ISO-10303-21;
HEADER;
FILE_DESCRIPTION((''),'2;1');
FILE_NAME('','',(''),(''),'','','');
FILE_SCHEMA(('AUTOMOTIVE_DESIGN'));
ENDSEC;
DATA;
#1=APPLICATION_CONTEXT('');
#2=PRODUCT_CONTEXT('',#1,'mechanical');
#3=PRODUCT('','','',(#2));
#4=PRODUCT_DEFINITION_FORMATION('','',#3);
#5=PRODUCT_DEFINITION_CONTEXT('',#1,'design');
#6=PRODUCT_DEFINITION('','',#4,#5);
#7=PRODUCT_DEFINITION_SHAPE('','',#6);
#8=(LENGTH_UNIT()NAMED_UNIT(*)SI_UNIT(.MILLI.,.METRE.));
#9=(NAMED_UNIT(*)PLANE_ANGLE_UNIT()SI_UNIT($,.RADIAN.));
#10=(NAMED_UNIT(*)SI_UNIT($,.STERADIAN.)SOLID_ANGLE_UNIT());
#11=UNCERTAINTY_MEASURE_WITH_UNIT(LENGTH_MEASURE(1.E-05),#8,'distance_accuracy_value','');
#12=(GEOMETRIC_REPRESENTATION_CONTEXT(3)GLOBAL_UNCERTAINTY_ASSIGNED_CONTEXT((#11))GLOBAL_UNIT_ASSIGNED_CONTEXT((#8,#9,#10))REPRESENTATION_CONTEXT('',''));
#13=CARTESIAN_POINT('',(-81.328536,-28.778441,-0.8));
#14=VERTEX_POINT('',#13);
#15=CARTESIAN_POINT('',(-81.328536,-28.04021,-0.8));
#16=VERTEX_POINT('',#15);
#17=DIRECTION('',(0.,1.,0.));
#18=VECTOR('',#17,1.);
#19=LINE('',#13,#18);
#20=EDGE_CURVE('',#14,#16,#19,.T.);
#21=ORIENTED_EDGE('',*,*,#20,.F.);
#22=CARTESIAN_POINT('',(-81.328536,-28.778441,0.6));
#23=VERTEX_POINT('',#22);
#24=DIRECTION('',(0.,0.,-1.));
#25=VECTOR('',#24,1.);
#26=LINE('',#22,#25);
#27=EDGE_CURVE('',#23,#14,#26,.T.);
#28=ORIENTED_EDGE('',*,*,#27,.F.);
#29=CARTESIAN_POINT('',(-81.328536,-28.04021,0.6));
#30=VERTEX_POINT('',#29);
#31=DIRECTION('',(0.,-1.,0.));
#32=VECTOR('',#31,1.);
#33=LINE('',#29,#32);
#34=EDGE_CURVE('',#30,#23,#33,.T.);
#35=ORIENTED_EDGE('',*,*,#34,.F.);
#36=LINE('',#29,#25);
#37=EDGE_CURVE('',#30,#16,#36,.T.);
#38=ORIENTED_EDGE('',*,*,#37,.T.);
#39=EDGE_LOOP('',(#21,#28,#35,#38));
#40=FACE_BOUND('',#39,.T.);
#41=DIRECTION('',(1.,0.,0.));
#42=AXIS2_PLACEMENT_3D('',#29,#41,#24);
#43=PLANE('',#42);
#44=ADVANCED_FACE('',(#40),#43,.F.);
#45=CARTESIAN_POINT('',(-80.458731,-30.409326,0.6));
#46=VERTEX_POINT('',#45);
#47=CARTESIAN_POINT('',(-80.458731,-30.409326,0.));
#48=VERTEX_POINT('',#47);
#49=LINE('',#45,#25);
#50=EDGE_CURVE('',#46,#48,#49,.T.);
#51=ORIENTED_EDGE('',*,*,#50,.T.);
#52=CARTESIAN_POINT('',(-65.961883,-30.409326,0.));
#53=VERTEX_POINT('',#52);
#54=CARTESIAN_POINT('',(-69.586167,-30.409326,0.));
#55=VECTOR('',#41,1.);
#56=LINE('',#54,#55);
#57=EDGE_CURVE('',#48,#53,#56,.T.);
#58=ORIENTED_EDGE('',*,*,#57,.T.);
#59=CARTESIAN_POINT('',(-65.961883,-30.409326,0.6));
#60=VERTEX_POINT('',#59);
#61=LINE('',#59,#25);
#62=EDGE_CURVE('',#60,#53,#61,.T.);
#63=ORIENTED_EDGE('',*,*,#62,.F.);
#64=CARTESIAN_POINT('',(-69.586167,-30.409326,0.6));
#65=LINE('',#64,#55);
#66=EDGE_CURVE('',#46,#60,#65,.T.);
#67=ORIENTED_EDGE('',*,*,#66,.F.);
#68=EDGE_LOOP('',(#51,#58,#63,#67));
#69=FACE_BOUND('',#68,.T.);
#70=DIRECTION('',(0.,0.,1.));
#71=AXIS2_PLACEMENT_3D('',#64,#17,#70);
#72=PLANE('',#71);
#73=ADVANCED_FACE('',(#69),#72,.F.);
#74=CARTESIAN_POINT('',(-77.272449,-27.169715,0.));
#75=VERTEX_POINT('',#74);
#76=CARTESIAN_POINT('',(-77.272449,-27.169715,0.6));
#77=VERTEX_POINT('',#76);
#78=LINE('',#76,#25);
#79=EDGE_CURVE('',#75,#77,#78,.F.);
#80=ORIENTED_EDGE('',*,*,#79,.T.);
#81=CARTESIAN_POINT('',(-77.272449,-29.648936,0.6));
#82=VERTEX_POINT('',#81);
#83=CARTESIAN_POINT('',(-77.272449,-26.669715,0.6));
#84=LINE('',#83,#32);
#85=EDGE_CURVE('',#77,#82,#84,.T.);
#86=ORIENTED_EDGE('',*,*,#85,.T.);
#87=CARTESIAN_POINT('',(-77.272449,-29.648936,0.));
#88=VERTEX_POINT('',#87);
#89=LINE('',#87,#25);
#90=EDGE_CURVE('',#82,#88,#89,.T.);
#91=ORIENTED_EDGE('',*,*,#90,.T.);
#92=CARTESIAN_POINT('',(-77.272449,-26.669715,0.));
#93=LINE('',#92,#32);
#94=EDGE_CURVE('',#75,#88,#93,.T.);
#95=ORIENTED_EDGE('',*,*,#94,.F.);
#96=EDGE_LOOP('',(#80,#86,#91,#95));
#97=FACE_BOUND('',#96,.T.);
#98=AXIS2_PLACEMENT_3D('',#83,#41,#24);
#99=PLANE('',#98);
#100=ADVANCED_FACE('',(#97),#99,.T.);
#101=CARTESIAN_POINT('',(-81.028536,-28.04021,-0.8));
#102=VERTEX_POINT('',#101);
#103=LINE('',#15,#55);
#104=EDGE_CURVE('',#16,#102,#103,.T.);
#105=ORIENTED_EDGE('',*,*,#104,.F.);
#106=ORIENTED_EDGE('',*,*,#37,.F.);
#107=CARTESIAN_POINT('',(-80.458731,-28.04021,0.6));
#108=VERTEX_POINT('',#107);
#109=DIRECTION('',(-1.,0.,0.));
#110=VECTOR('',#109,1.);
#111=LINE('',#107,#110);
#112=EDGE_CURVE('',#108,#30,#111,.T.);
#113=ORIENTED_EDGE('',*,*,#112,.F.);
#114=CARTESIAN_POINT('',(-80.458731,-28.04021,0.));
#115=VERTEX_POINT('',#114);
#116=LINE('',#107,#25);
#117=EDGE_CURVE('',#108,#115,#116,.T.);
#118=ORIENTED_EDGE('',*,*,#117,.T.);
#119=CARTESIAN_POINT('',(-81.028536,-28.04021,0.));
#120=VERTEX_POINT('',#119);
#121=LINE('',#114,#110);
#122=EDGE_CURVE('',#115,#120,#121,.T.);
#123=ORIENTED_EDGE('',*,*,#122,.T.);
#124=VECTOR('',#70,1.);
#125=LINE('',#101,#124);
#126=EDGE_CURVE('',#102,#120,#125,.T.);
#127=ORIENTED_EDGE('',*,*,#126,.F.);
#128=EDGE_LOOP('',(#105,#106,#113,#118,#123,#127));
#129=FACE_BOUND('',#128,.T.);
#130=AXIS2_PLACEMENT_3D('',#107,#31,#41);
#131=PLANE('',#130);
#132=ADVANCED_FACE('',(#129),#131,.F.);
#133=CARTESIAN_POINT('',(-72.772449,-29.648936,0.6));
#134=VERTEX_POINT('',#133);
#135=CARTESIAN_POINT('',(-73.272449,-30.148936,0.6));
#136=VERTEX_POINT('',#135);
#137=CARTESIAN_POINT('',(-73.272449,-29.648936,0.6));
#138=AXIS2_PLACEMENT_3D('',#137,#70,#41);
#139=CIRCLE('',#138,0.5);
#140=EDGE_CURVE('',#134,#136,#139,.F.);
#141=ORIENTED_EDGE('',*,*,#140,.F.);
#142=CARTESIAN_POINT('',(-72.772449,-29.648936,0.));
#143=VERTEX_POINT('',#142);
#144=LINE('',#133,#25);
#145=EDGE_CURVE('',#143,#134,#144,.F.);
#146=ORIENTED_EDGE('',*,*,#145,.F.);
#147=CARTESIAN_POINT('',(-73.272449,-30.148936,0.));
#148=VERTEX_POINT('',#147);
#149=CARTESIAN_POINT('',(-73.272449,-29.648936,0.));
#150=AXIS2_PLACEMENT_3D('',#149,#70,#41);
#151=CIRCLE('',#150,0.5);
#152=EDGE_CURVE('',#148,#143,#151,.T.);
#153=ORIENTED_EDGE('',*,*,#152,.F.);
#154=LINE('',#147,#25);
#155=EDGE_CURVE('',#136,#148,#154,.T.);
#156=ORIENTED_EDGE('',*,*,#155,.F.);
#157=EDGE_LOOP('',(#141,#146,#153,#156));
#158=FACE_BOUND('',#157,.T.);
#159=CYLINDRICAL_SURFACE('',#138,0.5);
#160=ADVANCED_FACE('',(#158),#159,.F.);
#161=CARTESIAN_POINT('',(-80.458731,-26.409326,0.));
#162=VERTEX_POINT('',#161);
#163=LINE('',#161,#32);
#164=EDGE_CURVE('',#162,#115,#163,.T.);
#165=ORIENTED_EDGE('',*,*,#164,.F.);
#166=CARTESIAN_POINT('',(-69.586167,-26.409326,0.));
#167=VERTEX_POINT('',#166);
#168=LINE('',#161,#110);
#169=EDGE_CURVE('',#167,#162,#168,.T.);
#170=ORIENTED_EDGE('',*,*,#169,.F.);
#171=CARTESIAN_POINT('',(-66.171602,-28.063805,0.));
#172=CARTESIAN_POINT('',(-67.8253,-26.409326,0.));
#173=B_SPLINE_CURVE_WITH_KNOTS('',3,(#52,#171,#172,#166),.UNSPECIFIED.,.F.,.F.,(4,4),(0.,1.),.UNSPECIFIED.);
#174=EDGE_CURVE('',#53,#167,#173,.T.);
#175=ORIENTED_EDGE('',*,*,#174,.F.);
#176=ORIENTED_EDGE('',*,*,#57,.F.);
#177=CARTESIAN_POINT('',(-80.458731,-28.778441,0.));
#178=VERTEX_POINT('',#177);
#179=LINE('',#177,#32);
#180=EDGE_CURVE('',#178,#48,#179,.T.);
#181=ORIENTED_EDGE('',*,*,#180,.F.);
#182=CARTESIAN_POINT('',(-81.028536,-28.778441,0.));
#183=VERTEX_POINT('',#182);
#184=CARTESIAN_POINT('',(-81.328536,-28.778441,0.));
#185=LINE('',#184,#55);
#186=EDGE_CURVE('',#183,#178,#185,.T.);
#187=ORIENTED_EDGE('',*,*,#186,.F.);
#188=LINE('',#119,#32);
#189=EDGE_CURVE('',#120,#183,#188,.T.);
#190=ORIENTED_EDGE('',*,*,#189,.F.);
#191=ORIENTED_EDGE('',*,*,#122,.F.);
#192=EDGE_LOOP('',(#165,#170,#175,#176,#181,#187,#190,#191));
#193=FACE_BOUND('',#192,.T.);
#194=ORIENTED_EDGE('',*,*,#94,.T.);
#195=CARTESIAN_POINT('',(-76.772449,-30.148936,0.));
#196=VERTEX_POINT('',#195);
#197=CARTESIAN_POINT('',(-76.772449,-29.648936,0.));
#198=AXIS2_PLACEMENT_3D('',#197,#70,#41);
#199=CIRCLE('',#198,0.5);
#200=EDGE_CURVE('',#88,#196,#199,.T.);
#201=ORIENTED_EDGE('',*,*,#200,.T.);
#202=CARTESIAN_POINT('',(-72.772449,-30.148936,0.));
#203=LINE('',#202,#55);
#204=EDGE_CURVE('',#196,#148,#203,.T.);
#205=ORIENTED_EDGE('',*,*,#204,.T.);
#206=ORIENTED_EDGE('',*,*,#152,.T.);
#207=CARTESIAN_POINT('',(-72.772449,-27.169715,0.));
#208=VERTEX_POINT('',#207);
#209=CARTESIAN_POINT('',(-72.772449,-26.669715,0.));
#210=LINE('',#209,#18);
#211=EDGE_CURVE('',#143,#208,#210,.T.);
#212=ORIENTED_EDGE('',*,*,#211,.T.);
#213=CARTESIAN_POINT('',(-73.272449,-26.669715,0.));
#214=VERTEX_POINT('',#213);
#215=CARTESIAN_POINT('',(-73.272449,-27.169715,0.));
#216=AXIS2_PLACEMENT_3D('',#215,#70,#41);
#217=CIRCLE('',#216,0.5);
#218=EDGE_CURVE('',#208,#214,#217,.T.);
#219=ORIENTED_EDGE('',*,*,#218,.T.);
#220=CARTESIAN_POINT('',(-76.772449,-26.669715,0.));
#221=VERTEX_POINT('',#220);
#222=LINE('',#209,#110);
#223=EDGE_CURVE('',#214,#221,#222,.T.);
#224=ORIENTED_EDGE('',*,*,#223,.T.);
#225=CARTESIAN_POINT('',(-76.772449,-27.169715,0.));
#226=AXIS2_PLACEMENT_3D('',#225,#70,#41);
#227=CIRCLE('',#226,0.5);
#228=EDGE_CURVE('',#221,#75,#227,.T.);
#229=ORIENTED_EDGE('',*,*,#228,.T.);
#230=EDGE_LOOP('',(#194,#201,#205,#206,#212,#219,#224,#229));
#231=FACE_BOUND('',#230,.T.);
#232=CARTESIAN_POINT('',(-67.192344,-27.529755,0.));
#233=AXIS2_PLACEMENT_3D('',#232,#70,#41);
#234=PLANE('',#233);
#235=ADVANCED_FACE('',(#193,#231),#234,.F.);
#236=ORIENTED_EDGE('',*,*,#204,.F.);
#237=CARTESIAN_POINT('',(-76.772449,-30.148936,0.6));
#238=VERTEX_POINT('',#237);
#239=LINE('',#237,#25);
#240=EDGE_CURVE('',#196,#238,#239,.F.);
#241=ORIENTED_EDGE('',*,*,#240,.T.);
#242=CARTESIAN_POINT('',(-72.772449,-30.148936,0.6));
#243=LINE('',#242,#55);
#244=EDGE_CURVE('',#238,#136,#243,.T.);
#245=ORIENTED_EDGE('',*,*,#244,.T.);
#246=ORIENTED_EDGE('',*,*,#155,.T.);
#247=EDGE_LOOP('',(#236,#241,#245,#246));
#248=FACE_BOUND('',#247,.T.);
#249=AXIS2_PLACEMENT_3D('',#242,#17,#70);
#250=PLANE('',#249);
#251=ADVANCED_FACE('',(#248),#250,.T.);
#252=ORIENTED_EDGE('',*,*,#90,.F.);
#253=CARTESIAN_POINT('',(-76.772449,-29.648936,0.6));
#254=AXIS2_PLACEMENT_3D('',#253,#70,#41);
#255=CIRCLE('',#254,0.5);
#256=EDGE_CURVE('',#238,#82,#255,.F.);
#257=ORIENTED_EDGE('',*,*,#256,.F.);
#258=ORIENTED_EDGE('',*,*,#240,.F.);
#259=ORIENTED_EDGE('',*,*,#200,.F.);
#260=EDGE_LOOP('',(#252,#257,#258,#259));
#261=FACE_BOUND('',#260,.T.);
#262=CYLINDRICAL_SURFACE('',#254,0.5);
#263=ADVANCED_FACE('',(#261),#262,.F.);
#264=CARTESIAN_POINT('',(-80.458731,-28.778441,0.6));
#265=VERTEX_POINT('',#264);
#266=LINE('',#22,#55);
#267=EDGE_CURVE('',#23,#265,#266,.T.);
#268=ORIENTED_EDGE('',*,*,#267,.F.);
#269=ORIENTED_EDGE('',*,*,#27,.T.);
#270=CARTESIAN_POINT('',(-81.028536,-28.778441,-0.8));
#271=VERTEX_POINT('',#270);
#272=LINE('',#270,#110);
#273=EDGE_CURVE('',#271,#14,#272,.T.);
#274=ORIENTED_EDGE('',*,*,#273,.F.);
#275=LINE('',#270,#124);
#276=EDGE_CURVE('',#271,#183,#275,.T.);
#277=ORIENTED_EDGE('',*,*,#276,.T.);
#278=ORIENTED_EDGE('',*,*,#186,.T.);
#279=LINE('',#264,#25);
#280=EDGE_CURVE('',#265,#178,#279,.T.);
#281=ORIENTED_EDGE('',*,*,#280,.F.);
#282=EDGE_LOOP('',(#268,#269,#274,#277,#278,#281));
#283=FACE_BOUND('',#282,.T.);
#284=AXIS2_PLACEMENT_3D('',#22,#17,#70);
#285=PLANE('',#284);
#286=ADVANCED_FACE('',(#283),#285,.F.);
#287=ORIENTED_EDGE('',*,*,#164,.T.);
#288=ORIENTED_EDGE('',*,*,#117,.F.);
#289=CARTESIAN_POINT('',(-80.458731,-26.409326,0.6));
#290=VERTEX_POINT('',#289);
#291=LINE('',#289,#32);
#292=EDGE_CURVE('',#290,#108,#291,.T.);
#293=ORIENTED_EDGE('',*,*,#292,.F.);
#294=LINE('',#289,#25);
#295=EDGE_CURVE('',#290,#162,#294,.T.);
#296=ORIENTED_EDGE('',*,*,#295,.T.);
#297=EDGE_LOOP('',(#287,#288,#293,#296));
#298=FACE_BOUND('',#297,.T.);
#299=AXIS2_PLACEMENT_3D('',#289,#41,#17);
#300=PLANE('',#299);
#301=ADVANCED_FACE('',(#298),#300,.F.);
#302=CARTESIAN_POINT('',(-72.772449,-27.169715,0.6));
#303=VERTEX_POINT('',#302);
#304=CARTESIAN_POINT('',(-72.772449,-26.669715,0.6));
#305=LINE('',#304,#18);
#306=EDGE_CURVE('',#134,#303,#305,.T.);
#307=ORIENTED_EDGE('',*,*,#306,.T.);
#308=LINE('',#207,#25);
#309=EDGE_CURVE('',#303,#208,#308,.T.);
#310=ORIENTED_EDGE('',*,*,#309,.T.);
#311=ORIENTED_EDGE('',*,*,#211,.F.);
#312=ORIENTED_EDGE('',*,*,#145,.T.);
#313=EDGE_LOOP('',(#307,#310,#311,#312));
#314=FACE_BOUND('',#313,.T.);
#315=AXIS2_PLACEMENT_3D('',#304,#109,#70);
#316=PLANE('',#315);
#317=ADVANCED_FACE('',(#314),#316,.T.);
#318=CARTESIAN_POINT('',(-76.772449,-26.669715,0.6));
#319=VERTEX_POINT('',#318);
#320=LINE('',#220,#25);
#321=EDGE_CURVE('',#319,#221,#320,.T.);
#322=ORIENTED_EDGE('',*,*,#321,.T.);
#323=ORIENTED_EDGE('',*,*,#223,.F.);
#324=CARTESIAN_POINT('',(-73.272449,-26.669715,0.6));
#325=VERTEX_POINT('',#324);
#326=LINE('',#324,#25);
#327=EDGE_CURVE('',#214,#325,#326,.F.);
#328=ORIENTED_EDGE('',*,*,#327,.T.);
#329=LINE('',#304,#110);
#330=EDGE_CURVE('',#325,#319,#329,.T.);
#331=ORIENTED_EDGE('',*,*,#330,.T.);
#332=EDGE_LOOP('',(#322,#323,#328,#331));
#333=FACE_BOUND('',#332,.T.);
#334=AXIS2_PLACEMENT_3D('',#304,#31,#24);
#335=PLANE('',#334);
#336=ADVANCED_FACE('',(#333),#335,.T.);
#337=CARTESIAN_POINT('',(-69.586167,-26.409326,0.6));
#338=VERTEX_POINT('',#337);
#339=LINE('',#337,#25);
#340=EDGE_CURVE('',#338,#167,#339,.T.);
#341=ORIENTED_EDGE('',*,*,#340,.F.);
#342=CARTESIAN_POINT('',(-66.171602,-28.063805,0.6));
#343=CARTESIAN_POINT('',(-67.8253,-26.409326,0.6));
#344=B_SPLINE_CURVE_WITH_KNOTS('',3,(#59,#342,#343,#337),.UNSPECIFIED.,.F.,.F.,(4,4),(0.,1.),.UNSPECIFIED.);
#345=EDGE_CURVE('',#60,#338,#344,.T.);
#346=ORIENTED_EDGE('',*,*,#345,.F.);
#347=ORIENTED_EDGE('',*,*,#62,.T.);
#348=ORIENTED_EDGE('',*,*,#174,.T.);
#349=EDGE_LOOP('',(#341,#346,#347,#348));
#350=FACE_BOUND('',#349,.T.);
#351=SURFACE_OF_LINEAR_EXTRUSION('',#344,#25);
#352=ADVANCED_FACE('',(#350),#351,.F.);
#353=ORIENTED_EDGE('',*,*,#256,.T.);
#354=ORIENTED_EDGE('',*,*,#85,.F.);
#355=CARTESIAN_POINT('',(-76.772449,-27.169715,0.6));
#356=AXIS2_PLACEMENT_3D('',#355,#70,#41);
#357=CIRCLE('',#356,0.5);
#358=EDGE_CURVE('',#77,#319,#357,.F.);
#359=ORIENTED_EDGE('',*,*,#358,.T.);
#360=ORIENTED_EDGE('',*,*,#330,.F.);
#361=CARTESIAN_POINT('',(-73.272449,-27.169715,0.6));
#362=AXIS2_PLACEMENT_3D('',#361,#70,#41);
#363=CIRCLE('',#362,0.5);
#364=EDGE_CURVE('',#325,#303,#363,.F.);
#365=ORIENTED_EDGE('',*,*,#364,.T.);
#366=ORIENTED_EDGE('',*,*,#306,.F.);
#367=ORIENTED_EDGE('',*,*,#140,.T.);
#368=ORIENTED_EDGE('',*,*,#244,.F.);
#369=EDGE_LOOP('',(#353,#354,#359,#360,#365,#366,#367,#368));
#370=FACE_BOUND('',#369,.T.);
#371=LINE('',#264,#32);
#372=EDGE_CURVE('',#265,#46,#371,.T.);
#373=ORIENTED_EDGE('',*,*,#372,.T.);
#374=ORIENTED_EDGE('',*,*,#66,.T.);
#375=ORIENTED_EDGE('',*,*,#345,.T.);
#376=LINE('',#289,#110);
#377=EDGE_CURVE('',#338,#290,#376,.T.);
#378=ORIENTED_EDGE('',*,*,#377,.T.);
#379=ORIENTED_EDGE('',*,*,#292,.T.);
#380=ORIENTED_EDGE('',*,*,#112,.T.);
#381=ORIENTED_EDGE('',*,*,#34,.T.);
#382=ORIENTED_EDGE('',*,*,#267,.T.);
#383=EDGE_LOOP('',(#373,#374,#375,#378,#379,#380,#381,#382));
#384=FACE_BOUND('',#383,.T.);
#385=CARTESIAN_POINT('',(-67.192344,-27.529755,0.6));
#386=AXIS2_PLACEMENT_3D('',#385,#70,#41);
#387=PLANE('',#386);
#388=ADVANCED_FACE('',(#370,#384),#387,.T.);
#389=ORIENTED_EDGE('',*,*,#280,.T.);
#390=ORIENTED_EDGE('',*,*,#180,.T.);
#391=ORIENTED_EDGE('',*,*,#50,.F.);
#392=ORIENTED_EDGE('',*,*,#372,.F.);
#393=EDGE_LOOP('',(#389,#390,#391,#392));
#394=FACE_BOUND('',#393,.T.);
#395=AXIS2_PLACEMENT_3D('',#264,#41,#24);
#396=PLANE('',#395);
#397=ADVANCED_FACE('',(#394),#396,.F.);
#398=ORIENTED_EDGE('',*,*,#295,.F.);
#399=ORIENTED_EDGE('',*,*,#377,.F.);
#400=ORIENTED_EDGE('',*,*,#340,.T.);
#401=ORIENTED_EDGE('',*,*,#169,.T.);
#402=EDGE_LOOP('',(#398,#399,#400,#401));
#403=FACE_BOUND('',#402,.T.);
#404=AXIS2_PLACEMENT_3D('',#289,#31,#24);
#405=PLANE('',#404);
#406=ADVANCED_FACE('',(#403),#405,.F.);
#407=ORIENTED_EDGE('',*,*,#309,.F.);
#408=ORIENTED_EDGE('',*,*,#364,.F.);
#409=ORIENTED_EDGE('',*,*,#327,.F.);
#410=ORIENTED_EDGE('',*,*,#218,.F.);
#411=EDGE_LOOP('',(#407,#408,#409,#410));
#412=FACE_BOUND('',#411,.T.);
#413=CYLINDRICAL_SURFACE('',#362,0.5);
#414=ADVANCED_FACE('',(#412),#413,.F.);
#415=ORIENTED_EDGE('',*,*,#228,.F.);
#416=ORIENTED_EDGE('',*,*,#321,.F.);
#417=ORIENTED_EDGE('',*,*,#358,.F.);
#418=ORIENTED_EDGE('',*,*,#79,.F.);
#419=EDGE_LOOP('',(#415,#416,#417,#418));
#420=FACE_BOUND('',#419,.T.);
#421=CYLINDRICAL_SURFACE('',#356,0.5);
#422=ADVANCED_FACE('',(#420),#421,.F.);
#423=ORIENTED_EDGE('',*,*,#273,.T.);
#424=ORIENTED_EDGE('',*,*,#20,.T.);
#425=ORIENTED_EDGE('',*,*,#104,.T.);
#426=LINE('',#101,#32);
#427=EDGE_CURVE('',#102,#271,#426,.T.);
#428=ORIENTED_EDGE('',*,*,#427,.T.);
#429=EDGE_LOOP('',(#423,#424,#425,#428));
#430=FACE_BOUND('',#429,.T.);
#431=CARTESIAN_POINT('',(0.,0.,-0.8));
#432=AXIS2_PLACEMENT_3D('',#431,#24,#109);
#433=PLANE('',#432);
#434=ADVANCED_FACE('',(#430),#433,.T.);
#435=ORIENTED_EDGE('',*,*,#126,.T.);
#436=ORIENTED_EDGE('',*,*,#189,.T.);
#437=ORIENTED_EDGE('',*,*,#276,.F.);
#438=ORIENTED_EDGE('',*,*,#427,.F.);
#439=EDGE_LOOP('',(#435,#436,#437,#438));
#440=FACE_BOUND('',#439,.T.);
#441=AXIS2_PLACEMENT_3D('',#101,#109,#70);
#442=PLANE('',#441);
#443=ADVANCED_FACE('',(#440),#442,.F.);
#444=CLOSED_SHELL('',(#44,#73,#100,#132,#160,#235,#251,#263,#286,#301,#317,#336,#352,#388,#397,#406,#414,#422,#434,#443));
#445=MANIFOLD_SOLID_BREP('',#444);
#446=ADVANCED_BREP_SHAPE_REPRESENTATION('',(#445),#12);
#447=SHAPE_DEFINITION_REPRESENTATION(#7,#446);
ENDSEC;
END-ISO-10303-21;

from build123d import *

# Parameters (mm, degrees)
CROQUIS1_W              = 4.5
CROQUIS1_H              = 3.47922044
SALIENTE_EXTRUIR1_DEPTH = 0.6
REDONDEO1_R             = 0.5
CROQUIS2_W              = 0.3
CROQUIS2_H              = 0.738230838
SALIENTE_EXTRUIR2_DEPTH = 0.8


with BuildPart() as part:
    # Croquis1 → Saliente-Extruir1 (new body)
    with BuildSketch(Plane.XY):
        with BuildLine():
            Line((-80.458731062, -26.409325636), (-69.586167188, -26.409325636))
            add(Edge.make_bspline(
                [(-69.586167188, -26.409325636), (-67.825300142, -26.409325636), (-66.171601872, -28.063804878), (-65.9618826, -30.409325636)],
                knots=[0, 0, 0, 0, 1, 1, 1, 1], degree=3))
            Line((-65.9618826, -30.409325636), (-69.586167188, -30.409325636))
            Line((-69.586167188, -30.409325636), (-80.458731062, -30.409325636))
            Line((-80.458731062, -30.409325636), (-80.458731062, -28.778441055))
            Line((-80.458731062, -28.778441055), (-81.328536172, -28.778441055))
            Line((-81.328536172, -28.778441055), (-81.328536172, -28.040210217))
            Line((-81.328536172, -28.040210217), (-80.458731062, -28.040210217))
            Line((-80.458731062, -28.040210217), (-80.458731062, -26.409325636))
        make_face()
        with Locations((-75.022449125, -28.409325636)):
            Rectangle(CROQUIS1_W, CROQUIS1_H, mode=Mode.SUBTRACT)
    extrude(amount=SALIENTE_EXTRUIR1_DEPTH)

    # Redondeo1
    redondeo1_edges = [part.edges().sort_by_distance(p)[0] for p in [
        (-77.272449125, -26.669715416, 0.3),
        (-77.272449125, -30.148935856, 0.3),
        (-72.772449125, -30.148935856, 0.3),
        (-72.772449125, -26.669715416, 0.3),
    ]]
    fillet(redondeo1_edges, radius=REDONDEO1_R)

    # Croquis2 → Saliente-Extruir2 (add)
    with BuildSketch(Plane(origin=(0, 0, 0), x_dir=(-1, 0, 0), z_dir=(0, 0, -1))):
        with Locations((81.178536172, -28.409325636)):
            Rectangle(CROQUIS2_W, CROQUIS2_H)
    extrude(amount=SALIENTE_EXTRUIR2_DEPTH)


solid = part.part
